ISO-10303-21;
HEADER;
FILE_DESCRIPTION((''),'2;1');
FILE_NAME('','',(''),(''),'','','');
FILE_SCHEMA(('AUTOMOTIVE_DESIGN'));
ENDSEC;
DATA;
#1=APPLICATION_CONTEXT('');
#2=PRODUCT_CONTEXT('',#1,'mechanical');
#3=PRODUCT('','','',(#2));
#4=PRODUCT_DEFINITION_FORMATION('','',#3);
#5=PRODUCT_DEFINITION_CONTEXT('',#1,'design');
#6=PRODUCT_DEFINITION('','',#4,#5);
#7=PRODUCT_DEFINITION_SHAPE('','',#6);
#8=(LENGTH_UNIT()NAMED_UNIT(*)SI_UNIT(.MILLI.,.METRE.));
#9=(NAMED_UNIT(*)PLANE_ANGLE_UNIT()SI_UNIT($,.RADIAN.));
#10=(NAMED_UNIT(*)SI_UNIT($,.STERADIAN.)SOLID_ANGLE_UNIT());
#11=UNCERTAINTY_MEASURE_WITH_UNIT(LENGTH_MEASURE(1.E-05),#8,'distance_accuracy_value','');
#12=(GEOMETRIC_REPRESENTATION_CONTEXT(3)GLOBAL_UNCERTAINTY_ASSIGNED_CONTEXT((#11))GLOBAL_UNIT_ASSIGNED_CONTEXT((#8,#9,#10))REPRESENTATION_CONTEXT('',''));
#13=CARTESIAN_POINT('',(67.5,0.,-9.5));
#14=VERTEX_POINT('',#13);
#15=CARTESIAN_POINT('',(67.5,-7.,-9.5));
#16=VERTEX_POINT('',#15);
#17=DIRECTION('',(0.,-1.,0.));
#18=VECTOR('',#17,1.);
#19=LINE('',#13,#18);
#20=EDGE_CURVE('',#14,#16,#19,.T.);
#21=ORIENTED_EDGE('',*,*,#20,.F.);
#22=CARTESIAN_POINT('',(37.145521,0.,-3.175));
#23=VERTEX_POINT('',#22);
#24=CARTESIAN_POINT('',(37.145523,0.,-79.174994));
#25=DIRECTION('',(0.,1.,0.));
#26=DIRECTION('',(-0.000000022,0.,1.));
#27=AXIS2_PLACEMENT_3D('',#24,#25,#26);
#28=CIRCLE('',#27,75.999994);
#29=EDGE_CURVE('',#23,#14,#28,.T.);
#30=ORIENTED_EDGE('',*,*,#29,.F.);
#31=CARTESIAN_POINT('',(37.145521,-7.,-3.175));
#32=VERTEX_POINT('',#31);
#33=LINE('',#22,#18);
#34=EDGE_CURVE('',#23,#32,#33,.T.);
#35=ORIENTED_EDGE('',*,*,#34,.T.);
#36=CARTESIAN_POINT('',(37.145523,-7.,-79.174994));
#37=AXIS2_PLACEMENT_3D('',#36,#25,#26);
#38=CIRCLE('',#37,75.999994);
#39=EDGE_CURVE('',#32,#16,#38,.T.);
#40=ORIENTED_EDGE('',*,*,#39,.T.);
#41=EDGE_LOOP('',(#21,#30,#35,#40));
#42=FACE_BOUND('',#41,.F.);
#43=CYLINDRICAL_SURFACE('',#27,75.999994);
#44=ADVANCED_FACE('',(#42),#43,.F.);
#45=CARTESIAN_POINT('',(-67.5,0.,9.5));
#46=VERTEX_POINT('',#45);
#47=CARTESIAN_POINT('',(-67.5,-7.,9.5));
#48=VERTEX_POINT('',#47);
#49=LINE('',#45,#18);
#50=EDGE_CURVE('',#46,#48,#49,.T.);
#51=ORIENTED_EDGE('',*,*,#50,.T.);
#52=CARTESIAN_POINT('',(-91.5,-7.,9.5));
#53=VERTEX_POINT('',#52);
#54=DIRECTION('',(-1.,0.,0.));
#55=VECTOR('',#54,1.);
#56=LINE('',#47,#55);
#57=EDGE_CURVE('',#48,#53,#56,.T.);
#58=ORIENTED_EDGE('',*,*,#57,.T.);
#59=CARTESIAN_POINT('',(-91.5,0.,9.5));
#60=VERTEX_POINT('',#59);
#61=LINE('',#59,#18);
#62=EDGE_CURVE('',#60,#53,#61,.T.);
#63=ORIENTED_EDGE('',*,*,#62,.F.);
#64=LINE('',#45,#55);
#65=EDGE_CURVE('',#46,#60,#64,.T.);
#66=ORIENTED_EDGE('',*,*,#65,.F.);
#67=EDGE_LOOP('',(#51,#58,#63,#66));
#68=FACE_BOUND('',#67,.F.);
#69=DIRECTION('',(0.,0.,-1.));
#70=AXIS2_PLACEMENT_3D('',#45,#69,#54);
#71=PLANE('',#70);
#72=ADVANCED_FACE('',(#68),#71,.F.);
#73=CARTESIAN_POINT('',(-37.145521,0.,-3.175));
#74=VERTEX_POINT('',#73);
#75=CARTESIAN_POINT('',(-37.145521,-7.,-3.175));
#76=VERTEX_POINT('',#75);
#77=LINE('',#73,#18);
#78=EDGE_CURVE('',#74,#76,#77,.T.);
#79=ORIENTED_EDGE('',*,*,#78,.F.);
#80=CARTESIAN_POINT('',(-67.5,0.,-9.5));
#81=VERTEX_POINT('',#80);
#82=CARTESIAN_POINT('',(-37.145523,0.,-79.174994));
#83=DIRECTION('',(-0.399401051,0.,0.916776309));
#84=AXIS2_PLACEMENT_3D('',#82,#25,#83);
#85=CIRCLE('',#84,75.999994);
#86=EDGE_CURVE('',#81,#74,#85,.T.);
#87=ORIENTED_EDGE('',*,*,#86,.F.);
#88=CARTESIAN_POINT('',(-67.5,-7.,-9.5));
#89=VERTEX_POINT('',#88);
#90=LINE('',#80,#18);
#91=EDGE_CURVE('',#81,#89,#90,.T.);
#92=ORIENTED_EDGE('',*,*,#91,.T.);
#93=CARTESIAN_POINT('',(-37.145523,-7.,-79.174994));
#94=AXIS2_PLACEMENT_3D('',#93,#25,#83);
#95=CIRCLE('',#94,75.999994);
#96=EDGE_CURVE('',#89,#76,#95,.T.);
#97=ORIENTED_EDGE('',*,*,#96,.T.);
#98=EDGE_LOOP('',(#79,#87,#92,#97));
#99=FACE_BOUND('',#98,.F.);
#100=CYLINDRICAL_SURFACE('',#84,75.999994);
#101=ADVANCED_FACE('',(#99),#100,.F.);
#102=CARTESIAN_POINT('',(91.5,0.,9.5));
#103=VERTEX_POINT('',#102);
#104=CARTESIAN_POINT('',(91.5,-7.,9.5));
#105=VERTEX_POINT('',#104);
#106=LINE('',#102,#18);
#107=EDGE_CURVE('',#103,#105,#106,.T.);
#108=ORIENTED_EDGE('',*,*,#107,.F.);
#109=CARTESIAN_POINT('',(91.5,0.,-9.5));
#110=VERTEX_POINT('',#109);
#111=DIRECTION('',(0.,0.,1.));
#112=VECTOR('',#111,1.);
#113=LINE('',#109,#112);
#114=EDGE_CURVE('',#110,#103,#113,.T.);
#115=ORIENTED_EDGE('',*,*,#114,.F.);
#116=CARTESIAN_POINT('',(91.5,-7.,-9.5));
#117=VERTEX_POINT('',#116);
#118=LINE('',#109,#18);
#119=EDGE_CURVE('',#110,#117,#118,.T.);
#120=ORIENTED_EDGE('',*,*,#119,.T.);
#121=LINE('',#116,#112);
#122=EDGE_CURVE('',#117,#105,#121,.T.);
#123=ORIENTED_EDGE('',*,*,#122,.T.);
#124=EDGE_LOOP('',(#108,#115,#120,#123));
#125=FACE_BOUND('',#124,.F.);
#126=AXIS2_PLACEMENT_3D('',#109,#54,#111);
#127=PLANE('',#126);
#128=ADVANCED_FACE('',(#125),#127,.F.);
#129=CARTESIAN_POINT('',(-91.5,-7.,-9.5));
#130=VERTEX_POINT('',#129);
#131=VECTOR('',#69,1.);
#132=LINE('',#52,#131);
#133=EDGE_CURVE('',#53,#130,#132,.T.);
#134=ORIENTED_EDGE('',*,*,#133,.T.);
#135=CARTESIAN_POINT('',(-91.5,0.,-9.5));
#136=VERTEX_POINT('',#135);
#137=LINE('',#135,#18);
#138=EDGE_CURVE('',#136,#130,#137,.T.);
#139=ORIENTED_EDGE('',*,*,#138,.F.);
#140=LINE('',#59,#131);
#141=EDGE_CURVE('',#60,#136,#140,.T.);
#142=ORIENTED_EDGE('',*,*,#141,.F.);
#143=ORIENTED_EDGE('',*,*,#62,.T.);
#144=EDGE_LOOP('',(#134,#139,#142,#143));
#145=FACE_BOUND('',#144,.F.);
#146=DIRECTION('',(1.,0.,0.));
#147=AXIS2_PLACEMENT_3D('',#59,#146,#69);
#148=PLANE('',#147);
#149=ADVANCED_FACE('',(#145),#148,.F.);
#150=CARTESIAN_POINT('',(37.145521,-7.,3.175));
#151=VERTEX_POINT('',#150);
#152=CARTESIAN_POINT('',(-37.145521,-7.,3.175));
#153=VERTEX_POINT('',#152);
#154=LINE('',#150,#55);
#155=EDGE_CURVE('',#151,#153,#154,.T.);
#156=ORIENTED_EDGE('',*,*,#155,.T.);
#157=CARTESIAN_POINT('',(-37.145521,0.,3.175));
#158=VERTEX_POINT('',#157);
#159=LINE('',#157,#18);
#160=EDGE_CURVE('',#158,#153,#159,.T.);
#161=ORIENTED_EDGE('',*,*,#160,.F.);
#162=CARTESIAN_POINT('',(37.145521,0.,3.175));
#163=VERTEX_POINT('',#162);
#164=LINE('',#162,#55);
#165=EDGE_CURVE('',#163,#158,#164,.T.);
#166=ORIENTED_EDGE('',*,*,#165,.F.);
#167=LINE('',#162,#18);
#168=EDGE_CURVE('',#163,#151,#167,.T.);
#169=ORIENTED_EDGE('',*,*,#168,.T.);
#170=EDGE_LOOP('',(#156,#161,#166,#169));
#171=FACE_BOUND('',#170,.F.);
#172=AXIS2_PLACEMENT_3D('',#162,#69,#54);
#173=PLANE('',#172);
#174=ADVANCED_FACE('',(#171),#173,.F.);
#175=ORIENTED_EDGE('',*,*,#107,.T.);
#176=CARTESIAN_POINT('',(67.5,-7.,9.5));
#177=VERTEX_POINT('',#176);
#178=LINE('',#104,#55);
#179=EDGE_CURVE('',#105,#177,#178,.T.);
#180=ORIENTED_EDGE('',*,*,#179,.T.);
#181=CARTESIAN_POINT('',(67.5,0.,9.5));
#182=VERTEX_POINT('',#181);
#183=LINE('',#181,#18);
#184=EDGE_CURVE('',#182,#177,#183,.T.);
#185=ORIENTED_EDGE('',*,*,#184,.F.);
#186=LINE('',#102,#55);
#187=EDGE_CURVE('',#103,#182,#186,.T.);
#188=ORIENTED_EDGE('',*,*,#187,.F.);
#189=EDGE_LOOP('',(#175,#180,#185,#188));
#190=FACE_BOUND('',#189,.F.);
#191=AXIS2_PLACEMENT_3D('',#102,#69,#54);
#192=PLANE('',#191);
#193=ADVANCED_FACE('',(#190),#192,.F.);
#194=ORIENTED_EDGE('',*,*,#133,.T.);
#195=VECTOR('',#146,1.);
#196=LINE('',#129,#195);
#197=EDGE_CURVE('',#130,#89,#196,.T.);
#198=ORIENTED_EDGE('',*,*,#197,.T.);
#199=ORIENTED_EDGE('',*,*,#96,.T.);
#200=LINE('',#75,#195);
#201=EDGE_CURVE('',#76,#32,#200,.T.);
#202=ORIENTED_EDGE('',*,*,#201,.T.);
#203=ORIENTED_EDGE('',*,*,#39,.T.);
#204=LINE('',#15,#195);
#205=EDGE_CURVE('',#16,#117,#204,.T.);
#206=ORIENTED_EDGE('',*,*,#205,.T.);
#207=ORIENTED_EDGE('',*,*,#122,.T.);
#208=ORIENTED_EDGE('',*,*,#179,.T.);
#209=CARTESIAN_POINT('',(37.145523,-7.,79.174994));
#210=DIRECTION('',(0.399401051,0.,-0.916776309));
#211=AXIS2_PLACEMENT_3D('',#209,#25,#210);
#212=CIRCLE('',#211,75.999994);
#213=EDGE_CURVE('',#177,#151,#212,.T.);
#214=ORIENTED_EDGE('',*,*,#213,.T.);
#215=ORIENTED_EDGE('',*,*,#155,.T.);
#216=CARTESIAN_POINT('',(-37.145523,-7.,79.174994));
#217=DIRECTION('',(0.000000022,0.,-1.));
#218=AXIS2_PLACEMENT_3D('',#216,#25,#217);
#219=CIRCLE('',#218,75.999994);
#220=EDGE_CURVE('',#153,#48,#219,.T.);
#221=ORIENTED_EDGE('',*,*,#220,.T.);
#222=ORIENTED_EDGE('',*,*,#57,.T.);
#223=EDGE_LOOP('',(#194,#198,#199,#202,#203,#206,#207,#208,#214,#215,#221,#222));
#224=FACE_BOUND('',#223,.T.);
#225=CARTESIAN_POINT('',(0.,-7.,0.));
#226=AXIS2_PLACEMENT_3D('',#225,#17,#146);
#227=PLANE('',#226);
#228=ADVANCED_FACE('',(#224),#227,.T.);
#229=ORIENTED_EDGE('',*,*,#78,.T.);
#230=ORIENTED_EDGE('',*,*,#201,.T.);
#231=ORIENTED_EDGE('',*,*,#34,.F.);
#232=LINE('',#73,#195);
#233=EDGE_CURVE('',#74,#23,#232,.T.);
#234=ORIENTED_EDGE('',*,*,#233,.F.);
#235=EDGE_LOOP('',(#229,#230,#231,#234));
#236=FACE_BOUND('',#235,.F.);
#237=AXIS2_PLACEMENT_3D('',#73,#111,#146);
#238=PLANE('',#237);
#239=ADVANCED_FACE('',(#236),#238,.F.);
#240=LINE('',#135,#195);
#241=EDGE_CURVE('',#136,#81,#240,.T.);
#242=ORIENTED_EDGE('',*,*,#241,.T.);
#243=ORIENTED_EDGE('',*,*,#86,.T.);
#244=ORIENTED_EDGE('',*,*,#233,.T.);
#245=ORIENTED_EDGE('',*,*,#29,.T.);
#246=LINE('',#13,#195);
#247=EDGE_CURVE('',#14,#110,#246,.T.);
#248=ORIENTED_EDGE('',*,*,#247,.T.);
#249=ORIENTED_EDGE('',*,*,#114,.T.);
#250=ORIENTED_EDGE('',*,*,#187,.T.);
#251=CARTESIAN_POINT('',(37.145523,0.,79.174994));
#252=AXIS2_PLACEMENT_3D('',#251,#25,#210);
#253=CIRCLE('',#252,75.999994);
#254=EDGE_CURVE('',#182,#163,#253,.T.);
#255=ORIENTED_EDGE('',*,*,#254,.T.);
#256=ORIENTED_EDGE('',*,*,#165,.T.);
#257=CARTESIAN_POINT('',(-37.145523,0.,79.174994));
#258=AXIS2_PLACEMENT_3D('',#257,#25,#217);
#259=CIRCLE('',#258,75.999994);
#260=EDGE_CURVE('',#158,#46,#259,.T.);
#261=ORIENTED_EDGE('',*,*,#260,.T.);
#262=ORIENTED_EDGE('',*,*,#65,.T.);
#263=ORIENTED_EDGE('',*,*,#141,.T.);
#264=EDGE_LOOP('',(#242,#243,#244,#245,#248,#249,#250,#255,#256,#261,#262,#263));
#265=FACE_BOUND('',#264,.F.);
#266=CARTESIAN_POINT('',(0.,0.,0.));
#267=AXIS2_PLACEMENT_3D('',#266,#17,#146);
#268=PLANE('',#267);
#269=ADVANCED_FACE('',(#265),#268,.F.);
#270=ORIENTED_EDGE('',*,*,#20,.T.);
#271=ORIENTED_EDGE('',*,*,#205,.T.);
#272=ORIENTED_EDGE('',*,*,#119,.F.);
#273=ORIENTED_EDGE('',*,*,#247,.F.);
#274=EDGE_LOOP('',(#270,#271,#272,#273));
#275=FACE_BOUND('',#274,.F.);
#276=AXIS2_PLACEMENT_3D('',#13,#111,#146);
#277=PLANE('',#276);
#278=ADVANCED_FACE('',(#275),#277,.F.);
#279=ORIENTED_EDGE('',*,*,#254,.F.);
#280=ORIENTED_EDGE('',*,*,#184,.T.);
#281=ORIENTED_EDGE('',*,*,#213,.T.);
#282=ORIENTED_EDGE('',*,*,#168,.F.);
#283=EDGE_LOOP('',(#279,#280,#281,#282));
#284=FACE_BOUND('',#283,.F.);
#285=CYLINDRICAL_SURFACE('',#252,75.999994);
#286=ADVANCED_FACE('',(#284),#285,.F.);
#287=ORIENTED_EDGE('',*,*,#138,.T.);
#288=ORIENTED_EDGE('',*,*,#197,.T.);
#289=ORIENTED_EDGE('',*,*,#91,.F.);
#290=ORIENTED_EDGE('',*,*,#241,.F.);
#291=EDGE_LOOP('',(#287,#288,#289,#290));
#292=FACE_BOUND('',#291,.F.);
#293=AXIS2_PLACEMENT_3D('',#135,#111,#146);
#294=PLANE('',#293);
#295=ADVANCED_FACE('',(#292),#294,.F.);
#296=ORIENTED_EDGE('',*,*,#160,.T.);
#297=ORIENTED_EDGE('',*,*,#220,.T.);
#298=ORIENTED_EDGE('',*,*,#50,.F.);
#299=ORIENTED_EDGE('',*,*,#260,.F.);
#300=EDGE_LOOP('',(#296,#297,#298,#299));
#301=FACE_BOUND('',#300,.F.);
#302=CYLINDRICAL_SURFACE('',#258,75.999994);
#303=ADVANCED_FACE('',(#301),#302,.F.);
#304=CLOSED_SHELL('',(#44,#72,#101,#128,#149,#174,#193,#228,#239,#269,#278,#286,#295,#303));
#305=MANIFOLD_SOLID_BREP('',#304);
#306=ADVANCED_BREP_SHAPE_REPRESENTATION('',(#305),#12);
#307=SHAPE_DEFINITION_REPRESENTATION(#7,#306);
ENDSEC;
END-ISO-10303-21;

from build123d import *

# Parameters (mm, degrees)
F1_DEPTH = 7


with BuildPart() as f1:
    # F0 (on Front) → F1 (new body)
    with BuildSketch(Plane.XZ):
        with BuildLine():
            Line((37.145521, 3.175), (0, 3.175))
            Line((0, 3.175), (-37.145521, 3.175))
            ThreePointArc((-37.145521, 3.175), (-52.648747, 4.773051), (-67.5, 9.5))
            Line((-67.5, 9.5), (-91.5, 9.5))
            Line((-91.5, 9.5), (-91.5, -9.5))
            Line((-91.5, -9.5), (-67.5, -9.5))
            ThreePointArc((-67.5, -9.5), (-52.648747, -4.773051), (-37.145521, -3.175))
            Line((-37.145521, -3.175), (0, -3.175))
            Line((0, -3.175), (37.145521, -3.175))
            ThreePointArc((37.145521, -3.175), (52.648747, -4.773051), (67.5, -9.5))
            Line((67.5, -9.5), (91.5, -9.5))
            Line((91.5, -9.5), (91.5, 9.5))
            Line((91.5, 9.5), (67.5, 9.5))
            ThreePointArc((67.5, 9.5), (52.648747, 4.773051), (37.145521, 3.175))
        make_face()
    extrude(amount=F1_DEPTH)


solid = f1.part
